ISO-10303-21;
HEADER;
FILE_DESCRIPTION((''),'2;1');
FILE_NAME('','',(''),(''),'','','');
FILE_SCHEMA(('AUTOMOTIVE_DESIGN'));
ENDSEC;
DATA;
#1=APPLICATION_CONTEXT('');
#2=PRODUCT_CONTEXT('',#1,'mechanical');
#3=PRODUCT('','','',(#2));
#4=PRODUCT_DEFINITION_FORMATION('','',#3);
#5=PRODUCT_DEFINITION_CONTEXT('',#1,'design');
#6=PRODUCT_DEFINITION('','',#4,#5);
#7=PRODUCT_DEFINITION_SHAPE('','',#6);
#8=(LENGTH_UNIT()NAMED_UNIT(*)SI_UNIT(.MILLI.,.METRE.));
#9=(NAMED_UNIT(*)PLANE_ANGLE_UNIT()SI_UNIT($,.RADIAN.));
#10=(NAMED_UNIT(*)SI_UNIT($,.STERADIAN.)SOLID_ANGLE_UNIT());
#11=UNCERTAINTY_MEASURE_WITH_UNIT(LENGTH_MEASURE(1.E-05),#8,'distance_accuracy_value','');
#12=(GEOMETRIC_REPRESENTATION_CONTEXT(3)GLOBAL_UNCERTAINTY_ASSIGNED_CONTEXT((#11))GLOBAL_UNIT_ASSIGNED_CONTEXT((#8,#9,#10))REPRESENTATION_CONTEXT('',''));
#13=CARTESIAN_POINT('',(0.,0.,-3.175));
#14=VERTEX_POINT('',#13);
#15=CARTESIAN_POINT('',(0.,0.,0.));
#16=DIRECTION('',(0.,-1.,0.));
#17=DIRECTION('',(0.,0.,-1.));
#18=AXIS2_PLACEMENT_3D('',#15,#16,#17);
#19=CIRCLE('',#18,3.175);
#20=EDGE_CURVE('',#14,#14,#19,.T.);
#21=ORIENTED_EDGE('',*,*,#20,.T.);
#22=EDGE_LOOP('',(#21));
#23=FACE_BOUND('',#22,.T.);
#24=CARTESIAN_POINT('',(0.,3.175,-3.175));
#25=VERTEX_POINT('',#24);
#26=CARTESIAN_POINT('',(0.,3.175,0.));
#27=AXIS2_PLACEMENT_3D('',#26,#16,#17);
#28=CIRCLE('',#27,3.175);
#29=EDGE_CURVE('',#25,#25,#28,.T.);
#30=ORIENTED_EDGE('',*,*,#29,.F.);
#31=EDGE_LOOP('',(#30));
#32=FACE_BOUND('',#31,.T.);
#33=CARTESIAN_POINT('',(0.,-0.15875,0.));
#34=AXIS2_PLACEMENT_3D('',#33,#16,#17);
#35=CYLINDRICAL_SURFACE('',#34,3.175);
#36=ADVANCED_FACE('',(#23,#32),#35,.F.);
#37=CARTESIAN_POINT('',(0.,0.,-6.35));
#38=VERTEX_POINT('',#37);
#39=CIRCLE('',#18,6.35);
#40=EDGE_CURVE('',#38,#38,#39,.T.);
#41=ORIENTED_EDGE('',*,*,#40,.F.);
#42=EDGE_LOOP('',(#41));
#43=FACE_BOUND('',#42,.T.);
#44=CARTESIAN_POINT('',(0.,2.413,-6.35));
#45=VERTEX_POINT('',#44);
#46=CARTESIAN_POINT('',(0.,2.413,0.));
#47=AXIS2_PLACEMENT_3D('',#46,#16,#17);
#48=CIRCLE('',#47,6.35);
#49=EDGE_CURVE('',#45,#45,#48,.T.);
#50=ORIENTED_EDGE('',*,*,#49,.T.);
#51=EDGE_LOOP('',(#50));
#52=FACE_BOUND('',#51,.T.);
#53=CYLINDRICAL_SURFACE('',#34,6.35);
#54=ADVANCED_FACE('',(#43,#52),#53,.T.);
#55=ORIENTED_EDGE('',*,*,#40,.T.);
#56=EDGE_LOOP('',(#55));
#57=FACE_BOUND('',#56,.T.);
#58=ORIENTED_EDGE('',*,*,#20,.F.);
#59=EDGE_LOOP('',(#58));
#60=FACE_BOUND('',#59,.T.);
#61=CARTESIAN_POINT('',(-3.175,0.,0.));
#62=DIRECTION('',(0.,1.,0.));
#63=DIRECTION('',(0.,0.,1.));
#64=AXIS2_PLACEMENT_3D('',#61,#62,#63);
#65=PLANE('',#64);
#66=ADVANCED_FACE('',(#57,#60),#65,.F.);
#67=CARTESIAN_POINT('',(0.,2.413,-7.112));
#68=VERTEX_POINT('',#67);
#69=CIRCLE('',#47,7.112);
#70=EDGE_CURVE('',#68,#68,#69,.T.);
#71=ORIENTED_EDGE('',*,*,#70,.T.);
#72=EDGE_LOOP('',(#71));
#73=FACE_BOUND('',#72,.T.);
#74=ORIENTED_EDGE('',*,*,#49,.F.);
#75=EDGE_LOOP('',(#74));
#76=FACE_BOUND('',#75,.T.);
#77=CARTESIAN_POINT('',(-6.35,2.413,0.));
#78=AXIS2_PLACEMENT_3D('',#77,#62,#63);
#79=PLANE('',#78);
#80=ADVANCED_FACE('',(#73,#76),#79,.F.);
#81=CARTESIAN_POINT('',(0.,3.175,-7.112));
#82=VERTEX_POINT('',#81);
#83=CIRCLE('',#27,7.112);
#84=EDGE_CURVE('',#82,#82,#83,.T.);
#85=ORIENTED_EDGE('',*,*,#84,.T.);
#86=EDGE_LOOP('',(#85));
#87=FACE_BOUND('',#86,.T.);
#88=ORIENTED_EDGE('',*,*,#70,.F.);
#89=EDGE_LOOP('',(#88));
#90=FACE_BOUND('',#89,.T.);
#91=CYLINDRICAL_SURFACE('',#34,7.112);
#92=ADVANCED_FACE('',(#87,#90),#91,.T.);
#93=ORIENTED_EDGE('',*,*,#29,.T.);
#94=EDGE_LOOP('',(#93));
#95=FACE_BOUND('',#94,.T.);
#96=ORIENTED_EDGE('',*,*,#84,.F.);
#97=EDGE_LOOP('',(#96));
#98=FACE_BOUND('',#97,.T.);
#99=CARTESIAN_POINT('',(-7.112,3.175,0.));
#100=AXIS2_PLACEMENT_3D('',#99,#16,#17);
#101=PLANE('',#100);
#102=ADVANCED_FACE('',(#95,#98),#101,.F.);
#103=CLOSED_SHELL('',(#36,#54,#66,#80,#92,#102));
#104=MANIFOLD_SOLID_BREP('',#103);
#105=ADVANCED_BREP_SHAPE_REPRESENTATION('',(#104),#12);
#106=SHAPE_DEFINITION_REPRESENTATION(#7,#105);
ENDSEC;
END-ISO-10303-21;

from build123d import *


with BuildPart() as part:
    # Sketch1 → Revolve1 (revolve)
    with BuildSketch(Plane.XY, mode=Mode.PRIVATE) as revolve1_sk:
        Polygon((-3.175, 0), (-6.35, 0), (-6.35, 2.413), (-7.112, 2.413), (-7.112, 3.175), (-3.175, 3.175), align=None)
    revolve(revolve1_sk.sketch.rotate(Axis((0, -0.15875, 0), (0, 1, 0)), 270), axis=Axis((0, -0.15875, 0), (0, 1, 0)))


solid = part.part
